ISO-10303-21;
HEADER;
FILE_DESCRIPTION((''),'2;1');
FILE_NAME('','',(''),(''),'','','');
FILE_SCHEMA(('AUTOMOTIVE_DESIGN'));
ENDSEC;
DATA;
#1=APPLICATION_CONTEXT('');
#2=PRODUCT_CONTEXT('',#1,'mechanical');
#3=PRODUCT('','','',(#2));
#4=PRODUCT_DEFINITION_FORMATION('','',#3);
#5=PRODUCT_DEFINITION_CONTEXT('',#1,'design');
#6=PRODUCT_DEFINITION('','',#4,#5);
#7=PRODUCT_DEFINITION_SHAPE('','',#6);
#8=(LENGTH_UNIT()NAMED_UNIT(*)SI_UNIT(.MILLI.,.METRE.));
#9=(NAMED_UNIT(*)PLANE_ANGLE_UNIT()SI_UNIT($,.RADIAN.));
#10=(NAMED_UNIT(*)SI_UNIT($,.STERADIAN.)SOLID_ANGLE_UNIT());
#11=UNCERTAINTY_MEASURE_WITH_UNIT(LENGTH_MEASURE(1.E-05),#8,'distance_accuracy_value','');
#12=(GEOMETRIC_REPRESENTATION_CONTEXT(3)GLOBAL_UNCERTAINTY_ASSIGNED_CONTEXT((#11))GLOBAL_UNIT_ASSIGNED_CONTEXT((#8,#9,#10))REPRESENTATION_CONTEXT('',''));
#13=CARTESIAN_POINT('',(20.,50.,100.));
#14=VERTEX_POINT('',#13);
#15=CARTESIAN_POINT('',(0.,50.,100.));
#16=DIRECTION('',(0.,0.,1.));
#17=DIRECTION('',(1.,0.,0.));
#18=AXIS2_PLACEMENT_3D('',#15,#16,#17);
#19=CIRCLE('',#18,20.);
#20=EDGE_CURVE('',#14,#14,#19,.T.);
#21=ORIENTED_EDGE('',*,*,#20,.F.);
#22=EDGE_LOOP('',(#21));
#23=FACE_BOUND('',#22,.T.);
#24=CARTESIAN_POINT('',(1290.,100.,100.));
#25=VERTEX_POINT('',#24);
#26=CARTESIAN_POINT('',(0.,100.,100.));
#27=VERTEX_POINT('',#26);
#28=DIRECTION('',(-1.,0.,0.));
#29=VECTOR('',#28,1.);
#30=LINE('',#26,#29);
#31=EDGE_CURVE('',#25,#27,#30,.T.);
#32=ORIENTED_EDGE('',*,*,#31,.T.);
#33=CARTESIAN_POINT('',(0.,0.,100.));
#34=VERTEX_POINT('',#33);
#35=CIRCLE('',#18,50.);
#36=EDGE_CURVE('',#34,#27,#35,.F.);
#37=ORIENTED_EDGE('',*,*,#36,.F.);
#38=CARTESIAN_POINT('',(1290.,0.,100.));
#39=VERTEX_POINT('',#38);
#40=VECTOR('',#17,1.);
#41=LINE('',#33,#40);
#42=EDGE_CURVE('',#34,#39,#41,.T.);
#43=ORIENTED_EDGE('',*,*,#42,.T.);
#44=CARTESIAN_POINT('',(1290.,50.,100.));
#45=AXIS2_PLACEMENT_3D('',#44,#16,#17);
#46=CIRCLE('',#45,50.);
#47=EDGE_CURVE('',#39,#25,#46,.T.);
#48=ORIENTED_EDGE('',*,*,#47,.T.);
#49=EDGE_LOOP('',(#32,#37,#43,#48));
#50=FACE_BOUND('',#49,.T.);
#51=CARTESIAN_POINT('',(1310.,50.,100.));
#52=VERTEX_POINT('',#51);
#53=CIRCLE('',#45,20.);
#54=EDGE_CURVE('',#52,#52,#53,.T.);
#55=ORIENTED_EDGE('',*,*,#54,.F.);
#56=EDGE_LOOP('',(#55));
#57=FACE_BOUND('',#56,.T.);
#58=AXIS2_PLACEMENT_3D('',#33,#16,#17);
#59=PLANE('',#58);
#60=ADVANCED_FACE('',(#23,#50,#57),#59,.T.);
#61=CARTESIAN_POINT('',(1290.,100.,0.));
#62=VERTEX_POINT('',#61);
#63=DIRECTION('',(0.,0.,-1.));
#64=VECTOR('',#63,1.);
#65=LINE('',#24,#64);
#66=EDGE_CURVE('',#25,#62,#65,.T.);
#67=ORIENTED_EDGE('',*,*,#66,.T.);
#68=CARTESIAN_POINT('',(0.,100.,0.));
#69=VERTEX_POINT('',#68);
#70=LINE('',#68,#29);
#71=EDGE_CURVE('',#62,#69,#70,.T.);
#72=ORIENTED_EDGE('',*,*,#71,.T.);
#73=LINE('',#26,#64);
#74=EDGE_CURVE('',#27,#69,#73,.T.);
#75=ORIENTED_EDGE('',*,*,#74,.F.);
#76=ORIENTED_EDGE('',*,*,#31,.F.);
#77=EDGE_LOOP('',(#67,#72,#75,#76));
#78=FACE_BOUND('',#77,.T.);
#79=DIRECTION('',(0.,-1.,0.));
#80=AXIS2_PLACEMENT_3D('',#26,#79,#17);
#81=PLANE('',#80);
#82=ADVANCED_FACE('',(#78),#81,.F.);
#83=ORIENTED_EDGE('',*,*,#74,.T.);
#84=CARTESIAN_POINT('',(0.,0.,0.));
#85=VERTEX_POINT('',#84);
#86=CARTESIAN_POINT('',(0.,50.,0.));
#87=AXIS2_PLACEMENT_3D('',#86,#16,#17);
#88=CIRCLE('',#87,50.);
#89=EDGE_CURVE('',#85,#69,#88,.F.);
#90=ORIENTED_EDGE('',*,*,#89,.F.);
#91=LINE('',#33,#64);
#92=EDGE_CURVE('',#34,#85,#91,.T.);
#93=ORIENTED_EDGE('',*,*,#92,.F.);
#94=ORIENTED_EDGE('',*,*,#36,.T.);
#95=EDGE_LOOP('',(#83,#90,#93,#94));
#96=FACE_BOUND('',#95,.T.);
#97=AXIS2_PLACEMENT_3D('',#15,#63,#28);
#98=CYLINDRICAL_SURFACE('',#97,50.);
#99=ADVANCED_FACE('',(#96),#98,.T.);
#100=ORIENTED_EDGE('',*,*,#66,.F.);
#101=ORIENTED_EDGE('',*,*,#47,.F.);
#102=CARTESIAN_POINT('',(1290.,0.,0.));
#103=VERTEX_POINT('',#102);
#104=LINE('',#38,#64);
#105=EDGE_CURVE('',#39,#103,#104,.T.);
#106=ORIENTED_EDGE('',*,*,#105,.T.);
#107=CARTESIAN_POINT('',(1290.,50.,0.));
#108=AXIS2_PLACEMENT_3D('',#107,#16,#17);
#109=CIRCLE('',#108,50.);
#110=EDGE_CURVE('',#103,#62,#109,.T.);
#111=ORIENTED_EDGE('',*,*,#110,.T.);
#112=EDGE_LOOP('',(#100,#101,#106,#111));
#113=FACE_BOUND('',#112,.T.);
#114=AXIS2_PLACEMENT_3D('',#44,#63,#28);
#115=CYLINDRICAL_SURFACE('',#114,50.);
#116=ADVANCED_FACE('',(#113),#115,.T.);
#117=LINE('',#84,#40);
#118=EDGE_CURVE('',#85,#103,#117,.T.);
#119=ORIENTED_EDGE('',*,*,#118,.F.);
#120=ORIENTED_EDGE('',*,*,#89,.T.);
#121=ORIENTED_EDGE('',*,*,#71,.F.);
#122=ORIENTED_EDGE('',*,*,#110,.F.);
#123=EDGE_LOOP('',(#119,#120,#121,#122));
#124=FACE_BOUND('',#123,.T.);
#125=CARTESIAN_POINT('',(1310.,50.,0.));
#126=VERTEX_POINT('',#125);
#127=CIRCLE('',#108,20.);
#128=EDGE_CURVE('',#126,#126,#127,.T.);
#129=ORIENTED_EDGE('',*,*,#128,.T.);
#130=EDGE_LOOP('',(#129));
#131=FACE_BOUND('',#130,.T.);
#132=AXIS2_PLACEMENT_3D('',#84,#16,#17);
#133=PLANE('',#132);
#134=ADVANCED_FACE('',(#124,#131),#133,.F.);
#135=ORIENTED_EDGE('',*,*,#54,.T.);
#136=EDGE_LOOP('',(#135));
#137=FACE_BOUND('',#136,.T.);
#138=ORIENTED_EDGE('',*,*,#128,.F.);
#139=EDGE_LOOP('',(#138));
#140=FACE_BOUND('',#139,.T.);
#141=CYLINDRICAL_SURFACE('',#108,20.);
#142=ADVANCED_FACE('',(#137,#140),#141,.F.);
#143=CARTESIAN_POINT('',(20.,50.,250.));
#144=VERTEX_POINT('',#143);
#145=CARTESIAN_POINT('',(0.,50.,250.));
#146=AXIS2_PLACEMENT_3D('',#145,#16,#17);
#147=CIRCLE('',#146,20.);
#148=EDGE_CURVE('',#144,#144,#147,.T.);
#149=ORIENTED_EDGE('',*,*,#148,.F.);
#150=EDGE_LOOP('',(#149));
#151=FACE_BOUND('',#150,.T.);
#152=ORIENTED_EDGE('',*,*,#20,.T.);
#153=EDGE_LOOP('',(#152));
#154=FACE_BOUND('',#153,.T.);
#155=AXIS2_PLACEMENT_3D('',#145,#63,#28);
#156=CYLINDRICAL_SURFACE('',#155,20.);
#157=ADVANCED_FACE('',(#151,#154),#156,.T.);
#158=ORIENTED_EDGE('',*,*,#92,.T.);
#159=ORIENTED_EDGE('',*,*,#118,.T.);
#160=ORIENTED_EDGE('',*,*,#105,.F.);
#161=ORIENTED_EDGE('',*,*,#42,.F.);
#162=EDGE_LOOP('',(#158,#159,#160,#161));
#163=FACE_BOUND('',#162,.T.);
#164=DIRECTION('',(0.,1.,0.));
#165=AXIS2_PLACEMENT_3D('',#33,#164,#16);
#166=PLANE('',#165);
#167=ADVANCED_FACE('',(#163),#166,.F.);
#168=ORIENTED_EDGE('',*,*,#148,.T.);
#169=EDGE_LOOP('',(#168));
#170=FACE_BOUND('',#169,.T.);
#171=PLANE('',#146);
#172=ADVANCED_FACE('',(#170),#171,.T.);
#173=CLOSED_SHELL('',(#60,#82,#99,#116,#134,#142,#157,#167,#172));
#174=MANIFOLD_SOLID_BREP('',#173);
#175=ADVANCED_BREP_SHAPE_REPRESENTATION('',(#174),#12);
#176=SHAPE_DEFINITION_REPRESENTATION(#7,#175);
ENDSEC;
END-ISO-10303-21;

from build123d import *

# Parameters (mm, degrees)
BOSS_EXTRUDE1_DEPTH = 100
SKETCH3_R           = 20
CUT_EXTRUDE1_DEPTH  = 100
SKETCH2_R           = 20
BOSS_EXTRUDE3_DEPTH = 150


with BuildPart() as part:
    # Sketch1 → Boss-Extrude1 (new body)
    with BuildSketch(Plane.XY):
        with BuildLine():
            Line((0, 0), (1290, 0))
            ThreePointArc((1290, 0), (1340, 50), (1290, 100))
            Line((1290, 100), (0, 100))
            ThreePointArc((0, 100), (-50, 50), (0, 0))
        make_face()
    extrude(amount=BOSS_EXTRUDE1_DEPTH)

    # Sketch3 → Cut-Extrude1 (cut)
    with BuildSketch(Plane.XY.offset(100)):
        with Locations((1290, 50)):
            Circle(SKETCH3_R)
    extrude(amount=-CUT_EXTRUDE1_DEPTH, mode=Mode.SUBTRACT)

    # Sketch2 → Boss-Extrude3 (add)
    with BuildSketch(Plane.XY.offset(100)):
        with Locations((0, 50)):
            Circle(SKETCH2_R)
    extrude(amount=BOSS_EXTRUDE3_DEPTH)


solid = part.part
